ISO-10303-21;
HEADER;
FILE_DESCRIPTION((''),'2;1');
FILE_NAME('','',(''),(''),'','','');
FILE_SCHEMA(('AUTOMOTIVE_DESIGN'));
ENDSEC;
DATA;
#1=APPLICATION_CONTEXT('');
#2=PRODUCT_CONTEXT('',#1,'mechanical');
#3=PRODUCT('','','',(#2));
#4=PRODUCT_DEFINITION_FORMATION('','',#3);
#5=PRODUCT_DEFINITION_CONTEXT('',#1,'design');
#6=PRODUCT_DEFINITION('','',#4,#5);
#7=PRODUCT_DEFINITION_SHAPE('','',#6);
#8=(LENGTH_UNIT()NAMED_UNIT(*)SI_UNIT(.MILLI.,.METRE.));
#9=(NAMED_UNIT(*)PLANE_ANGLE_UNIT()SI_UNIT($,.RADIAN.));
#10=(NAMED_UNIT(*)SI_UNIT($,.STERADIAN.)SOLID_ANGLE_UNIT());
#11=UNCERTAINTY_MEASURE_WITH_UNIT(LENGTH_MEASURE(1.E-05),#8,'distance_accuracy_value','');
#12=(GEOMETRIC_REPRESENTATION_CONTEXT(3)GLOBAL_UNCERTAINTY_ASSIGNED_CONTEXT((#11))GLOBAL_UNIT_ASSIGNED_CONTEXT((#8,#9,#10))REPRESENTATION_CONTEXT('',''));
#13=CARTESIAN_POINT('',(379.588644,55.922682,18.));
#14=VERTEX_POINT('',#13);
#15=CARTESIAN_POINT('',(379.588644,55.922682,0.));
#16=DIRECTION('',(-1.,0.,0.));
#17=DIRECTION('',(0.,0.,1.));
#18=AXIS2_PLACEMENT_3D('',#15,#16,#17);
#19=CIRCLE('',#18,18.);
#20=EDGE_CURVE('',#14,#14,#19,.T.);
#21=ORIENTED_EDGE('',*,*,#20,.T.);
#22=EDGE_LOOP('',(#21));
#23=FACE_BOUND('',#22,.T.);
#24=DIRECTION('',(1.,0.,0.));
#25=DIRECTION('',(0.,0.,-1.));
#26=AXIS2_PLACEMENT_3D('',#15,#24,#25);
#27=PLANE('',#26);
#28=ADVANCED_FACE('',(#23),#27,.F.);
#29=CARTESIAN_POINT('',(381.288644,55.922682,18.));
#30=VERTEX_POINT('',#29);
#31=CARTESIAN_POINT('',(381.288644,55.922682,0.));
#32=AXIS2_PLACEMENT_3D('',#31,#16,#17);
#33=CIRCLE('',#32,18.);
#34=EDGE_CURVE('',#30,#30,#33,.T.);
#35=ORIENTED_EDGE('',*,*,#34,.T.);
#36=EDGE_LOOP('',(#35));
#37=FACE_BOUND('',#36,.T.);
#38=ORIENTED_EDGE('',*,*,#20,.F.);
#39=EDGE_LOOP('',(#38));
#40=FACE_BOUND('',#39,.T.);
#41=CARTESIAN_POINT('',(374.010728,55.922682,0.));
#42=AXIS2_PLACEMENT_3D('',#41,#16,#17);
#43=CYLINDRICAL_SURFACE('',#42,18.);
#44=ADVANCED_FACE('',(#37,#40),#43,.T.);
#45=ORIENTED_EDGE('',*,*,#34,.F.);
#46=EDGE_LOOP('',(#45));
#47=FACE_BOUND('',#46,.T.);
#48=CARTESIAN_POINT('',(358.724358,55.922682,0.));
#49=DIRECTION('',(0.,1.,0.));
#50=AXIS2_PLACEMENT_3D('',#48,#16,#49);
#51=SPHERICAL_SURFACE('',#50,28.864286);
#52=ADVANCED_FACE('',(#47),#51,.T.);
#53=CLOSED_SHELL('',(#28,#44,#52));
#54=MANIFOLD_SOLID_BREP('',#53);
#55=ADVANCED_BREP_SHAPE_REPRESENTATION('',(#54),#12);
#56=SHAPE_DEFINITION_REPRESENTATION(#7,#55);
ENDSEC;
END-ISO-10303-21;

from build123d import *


with BuildPart() as part:
    # 草图1 → 旋转1 (revolve)
    with BuildSketch(Plane.XY):
        with BuildLine():
            Line((379.588643978, 55.922681591), (379.588643978, 73.922681591))
            Line((379.588643978, 73.922681591), (381.288643978, 73.922681591))
            ThreePointArc((381.288643978, 73.922681591), (385.968155535, 65.458010636), (387.588643978, 55.922681591))
            Line((387.588643978, 55.922681591), (379.588643978, 55.922681591))
        make_face()
    revolve(axis=Axis((374.010727679, 55.922681591, 0), (1, 0, 0)))


solid = part.part
